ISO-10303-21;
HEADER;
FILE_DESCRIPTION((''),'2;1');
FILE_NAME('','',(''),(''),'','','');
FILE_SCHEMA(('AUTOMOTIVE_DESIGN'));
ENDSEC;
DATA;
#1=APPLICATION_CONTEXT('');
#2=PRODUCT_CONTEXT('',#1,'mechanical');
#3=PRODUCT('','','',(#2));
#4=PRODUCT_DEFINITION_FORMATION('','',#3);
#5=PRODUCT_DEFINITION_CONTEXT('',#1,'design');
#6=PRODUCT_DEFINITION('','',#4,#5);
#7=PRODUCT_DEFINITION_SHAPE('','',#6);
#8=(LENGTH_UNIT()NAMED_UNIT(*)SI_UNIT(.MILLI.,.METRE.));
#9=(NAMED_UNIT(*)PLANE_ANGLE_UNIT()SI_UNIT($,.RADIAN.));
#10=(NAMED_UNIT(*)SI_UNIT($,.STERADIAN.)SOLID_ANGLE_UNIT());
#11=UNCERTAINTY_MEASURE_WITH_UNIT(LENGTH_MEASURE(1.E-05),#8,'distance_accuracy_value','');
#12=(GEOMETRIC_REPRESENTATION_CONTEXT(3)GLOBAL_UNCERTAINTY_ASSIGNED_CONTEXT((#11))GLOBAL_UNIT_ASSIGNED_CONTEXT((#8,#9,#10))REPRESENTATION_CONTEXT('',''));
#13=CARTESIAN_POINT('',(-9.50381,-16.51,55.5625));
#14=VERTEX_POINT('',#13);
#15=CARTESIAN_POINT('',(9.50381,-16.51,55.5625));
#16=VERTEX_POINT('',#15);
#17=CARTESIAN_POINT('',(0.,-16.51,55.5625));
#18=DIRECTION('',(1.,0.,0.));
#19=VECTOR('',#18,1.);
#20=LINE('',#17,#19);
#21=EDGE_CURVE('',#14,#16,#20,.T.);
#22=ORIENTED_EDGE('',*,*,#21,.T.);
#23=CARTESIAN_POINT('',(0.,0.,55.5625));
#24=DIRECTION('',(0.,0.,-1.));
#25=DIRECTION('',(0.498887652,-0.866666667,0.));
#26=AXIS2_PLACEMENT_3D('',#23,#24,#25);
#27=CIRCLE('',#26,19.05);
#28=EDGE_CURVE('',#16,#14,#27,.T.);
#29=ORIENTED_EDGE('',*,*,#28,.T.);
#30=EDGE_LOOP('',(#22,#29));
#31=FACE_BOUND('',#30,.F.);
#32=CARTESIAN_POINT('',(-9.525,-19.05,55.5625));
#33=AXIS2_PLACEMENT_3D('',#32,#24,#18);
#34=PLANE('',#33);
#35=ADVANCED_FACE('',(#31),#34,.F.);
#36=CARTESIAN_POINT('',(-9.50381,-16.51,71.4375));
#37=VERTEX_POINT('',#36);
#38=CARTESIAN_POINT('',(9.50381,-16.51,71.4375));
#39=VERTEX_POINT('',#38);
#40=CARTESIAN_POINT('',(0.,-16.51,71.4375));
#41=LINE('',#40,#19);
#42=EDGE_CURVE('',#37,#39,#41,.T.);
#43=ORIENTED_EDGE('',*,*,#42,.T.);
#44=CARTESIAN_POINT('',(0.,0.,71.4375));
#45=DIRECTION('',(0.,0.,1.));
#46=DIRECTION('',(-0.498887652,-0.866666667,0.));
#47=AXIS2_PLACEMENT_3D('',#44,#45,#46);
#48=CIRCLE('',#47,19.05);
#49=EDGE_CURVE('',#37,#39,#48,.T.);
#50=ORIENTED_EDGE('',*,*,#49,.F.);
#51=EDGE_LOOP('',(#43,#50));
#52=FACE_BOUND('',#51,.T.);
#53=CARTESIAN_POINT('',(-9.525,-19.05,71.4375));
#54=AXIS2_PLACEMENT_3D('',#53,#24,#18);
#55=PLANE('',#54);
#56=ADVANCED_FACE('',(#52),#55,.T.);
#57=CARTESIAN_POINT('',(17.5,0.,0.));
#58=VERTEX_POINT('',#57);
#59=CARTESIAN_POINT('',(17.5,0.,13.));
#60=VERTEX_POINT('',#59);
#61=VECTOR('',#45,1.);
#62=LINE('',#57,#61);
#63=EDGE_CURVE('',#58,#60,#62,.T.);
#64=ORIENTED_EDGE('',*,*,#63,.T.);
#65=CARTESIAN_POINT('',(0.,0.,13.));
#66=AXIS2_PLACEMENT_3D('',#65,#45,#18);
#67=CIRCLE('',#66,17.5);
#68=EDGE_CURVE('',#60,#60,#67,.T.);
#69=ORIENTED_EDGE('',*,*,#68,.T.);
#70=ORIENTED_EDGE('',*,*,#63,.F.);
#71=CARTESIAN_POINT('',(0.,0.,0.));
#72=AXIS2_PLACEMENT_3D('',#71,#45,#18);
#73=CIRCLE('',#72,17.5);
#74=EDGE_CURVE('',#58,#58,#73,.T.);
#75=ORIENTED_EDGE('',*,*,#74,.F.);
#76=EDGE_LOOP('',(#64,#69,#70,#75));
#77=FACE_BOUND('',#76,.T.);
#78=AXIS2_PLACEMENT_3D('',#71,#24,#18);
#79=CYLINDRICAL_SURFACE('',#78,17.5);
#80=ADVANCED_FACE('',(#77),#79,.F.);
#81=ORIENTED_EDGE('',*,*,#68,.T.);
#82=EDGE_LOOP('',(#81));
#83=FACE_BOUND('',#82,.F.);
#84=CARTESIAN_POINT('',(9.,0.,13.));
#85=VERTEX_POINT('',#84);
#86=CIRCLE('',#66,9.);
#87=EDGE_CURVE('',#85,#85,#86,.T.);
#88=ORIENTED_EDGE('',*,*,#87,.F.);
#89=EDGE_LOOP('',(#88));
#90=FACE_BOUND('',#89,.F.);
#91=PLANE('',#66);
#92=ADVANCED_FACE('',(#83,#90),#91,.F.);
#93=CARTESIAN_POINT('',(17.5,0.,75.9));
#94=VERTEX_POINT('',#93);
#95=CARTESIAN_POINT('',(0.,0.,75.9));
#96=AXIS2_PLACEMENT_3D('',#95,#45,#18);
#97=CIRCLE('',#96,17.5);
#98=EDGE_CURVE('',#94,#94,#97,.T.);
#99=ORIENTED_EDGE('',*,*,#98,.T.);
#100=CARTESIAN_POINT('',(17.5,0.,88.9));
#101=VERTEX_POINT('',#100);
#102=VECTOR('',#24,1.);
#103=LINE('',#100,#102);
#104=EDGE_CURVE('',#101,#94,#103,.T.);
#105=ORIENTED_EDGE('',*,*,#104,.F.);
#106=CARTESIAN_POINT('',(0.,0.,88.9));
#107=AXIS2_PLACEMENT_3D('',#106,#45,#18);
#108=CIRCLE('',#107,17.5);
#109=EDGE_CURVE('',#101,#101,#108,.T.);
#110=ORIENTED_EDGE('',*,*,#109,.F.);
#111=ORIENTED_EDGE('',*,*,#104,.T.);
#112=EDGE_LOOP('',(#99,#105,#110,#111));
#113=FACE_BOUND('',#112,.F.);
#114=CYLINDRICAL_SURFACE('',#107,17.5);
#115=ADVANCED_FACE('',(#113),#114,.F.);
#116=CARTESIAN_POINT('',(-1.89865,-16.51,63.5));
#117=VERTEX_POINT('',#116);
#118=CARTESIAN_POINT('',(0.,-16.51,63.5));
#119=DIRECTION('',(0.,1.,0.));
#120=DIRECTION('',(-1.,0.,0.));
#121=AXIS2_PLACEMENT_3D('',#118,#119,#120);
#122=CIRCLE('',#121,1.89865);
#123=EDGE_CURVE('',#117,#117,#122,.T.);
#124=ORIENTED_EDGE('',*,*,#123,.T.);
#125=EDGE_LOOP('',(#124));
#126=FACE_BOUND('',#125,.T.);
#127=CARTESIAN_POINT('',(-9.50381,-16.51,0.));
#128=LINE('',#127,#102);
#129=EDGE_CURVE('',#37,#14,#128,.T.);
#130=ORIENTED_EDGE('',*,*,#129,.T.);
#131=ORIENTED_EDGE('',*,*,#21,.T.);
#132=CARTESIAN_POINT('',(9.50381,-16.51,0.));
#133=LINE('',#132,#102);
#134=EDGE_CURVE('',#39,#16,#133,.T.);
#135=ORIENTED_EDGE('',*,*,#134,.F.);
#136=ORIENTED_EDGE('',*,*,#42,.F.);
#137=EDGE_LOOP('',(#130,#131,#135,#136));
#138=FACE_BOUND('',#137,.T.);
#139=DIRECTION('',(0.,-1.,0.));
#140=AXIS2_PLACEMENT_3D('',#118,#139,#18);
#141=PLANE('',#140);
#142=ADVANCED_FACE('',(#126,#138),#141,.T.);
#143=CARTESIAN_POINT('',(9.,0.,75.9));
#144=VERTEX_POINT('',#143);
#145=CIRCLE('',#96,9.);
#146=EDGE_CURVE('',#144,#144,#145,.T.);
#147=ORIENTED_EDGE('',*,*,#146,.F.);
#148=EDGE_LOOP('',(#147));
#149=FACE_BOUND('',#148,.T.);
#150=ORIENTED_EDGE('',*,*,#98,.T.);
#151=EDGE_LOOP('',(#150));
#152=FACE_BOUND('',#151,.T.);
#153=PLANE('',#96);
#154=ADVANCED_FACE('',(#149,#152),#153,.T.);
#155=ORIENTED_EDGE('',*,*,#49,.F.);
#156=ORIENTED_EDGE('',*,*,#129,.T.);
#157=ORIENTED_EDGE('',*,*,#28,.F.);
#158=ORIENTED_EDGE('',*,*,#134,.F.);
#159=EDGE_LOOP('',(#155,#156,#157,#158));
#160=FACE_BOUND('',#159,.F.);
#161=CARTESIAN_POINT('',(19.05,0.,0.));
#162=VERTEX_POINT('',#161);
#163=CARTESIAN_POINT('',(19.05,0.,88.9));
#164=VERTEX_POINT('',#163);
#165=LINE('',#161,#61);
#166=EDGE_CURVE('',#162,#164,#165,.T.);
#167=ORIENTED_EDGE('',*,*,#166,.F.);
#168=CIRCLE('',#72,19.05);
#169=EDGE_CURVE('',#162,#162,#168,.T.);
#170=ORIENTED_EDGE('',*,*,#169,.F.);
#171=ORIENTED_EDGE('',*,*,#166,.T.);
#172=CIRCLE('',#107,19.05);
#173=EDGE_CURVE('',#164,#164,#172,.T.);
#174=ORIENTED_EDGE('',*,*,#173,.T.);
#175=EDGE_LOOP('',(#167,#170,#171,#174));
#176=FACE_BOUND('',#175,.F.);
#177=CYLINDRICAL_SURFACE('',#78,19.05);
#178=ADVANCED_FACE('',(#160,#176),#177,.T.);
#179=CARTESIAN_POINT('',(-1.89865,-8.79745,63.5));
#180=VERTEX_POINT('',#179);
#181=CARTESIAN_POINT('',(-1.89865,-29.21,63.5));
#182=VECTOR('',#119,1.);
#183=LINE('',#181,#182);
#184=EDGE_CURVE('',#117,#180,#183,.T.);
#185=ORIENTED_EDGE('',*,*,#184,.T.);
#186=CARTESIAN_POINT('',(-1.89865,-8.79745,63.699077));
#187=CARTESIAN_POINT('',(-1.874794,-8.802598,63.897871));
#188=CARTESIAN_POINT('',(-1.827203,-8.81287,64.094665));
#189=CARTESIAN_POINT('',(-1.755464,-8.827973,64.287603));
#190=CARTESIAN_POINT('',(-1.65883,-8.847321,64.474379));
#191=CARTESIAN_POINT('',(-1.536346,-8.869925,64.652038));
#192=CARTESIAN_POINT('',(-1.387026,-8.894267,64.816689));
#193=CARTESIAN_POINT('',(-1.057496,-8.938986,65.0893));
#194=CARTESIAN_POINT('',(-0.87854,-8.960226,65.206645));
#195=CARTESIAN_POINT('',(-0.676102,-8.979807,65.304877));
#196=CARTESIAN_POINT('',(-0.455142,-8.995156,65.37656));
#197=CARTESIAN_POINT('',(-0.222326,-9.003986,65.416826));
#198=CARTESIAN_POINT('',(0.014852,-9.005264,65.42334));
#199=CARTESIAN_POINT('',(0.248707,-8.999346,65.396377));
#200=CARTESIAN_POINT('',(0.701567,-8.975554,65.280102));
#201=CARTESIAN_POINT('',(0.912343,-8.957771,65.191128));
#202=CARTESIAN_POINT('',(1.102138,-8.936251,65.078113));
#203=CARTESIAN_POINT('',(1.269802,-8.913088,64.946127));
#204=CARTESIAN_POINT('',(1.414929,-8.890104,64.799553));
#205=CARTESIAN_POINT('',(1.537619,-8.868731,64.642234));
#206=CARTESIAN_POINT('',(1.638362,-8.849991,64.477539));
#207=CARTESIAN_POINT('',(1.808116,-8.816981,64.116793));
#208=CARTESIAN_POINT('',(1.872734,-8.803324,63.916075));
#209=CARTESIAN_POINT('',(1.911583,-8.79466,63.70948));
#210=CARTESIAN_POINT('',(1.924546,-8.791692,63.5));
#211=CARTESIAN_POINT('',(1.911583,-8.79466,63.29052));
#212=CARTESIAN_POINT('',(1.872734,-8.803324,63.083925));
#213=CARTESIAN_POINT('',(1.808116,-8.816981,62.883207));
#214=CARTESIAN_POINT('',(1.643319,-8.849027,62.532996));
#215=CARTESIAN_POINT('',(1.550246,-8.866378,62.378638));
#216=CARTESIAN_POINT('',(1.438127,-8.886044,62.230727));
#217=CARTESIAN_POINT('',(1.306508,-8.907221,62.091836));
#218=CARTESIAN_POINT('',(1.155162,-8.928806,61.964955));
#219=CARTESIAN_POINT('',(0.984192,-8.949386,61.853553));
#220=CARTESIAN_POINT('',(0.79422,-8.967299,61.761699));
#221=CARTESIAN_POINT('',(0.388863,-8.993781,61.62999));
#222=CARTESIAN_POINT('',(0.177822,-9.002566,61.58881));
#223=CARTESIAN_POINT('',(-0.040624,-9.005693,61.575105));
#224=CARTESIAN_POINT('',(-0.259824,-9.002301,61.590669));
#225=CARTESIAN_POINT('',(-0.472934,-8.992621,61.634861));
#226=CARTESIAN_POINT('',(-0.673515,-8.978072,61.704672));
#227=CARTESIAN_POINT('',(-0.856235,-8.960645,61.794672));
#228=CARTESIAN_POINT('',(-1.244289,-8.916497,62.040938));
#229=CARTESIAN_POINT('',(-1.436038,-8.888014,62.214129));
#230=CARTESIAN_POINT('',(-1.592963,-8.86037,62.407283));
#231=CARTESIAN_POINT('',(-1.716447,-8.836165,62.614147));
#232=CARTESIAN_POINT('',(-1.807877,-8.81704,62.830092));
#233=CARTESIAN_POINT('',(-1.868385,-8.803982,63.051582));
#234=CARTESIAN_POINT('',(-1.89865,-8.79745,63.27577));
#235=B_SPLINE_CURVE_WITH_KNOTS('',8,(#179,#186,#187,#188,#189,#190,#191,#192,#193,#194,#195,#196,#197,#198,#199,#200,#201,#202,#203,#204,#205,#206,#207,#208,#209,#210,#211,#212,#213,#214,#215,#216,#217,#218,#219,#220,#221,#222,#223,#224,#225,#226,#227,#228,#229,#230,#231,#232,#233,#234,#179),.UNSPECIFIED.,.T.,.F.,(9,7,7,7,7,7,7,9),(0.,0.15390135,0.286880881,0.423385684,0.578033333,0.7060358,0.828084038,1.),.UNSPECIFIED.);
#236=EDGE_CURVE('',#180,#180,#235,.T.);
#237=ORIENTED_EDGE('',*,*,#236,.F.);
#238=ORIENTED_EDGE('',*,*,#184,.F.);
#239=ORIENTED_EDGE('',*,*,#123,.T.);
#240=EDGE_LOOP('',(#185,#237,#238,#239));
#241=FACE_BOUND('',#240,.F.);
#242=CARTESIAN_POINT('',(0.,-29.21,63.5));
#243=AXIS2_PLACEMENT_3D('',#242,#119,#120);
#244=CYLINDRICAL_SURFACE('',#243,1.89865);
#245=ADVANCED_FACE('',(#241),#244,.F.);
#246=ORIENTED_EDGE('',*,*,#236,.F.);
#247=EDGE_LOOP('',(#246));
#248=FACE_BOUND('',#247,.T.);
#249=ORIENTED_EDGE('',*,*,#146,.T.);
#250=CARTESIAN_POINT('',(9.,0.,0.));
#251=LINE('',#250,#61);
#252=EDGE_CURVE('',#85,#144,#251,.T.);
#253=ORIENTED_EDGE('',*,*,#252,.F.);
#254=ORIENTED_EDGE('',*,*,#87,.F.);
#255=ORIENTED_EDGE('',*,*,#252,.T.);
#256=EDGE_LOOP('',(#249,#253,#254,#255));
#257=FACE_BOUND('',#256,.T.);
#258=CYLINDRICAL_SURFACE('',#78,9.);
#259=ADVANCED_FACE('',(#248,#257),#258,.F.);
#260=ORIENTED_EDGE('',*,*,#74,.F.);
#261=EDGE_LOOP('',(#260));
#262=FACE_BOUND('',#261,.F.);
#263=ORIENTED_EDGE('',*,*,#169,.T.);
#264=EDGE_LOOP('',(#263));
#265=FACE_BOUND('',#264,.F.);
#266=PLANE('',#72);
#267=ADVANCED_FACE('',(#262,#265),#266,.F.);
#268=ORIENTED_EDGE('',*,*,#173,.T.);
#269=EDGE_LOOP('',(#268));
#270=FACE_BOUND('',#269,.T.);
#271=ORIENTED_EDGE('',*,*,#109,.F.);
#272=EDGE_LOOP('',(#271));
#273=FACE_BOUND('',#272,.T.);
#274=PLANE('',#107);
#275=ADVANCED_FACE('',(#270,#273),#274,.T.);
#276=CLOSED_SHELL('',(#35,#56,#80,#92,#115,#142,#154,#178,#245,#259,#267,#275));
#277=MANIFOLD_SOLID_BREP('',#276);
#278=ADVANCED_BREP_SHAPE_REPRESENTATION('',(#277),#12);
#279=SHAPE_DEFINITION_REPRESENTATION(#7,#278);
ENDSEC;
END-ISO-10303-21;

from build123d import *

# Parameters (mm, degrees)
F0_R     = 19.05
F0_R_2   = 17.5
F0_R_3   = 9
F1_DEPTH = 88.9
F2_DEPTH = 13
F3_R     = 17.5
F3_R_2   = 9
F4_DEPTH = 13
F6_W     = 19.05
F6_H     = 15.875
F7_DEPTH = 2.54
F8_D     = 3.7973
F8_DEPTH = 12.7
F8_START = 2.54
F8_TIP   = 1.1408240143


with BuildPart() as f1:
    # F0 (on Top) → F1 (new body)
    with BuildSketch(Plane.XY):
        Circle(F0_R)
        Circle(F0_R_2, mode=Mode.SUBTRACT)
        Circle(F0_R_2)
        Circle(F0_R_3, mode=Mode.SUBTRACT)
    extrude(amount=F1_DEPTH)

    # F0 (on Top) → F2 (cut)
    with BuildSketch(Plane.XY):
        Circle(F0_R_2)
        Circle(F0_R_3, mode=Mode.SUBTRACT)
    extrude(amount=F2_DEPTH, mode=Mode.SUBTRACT)

    # F3 (on face) → F4 (cut)
    with BuildSketch(Plane.XY.offset(88.9)):
        Circle(F3_R)
        Circle(F3_R_2, mode=Mode.SUBTRACT)
    extrude(amount=-F4_DEPTH, mode=Mode.SUBTRACT)

    # F6 (on offset) → F7 (cut)
    with BuildSketch(Plane.XZ.offset(19.05)):
        with Locations((0, 63.5)):
            Rectangle(F6_W, F6_H)
    extrude(amount=-F7_DEPTH, mode=Mode.SUBTRACT)

    # F8
    # its depths count from where the whole tool has entered the part; down to there all is cleared
    with Locations(Plane.XZ.offset(19.05).offset(-F8_START)):
        with Locations((0, 63.5)):
            Hole(F8_D / 2, depth=F8_DEPTH)
            with Locations((0, 0, -(F8_DEPTH + F8_TIP / 2))):  # 118° drill point
                Cone(0, F8_D / 2, F8_TIP, mode=Mode.SUBTRACT)


solid = f1.part
